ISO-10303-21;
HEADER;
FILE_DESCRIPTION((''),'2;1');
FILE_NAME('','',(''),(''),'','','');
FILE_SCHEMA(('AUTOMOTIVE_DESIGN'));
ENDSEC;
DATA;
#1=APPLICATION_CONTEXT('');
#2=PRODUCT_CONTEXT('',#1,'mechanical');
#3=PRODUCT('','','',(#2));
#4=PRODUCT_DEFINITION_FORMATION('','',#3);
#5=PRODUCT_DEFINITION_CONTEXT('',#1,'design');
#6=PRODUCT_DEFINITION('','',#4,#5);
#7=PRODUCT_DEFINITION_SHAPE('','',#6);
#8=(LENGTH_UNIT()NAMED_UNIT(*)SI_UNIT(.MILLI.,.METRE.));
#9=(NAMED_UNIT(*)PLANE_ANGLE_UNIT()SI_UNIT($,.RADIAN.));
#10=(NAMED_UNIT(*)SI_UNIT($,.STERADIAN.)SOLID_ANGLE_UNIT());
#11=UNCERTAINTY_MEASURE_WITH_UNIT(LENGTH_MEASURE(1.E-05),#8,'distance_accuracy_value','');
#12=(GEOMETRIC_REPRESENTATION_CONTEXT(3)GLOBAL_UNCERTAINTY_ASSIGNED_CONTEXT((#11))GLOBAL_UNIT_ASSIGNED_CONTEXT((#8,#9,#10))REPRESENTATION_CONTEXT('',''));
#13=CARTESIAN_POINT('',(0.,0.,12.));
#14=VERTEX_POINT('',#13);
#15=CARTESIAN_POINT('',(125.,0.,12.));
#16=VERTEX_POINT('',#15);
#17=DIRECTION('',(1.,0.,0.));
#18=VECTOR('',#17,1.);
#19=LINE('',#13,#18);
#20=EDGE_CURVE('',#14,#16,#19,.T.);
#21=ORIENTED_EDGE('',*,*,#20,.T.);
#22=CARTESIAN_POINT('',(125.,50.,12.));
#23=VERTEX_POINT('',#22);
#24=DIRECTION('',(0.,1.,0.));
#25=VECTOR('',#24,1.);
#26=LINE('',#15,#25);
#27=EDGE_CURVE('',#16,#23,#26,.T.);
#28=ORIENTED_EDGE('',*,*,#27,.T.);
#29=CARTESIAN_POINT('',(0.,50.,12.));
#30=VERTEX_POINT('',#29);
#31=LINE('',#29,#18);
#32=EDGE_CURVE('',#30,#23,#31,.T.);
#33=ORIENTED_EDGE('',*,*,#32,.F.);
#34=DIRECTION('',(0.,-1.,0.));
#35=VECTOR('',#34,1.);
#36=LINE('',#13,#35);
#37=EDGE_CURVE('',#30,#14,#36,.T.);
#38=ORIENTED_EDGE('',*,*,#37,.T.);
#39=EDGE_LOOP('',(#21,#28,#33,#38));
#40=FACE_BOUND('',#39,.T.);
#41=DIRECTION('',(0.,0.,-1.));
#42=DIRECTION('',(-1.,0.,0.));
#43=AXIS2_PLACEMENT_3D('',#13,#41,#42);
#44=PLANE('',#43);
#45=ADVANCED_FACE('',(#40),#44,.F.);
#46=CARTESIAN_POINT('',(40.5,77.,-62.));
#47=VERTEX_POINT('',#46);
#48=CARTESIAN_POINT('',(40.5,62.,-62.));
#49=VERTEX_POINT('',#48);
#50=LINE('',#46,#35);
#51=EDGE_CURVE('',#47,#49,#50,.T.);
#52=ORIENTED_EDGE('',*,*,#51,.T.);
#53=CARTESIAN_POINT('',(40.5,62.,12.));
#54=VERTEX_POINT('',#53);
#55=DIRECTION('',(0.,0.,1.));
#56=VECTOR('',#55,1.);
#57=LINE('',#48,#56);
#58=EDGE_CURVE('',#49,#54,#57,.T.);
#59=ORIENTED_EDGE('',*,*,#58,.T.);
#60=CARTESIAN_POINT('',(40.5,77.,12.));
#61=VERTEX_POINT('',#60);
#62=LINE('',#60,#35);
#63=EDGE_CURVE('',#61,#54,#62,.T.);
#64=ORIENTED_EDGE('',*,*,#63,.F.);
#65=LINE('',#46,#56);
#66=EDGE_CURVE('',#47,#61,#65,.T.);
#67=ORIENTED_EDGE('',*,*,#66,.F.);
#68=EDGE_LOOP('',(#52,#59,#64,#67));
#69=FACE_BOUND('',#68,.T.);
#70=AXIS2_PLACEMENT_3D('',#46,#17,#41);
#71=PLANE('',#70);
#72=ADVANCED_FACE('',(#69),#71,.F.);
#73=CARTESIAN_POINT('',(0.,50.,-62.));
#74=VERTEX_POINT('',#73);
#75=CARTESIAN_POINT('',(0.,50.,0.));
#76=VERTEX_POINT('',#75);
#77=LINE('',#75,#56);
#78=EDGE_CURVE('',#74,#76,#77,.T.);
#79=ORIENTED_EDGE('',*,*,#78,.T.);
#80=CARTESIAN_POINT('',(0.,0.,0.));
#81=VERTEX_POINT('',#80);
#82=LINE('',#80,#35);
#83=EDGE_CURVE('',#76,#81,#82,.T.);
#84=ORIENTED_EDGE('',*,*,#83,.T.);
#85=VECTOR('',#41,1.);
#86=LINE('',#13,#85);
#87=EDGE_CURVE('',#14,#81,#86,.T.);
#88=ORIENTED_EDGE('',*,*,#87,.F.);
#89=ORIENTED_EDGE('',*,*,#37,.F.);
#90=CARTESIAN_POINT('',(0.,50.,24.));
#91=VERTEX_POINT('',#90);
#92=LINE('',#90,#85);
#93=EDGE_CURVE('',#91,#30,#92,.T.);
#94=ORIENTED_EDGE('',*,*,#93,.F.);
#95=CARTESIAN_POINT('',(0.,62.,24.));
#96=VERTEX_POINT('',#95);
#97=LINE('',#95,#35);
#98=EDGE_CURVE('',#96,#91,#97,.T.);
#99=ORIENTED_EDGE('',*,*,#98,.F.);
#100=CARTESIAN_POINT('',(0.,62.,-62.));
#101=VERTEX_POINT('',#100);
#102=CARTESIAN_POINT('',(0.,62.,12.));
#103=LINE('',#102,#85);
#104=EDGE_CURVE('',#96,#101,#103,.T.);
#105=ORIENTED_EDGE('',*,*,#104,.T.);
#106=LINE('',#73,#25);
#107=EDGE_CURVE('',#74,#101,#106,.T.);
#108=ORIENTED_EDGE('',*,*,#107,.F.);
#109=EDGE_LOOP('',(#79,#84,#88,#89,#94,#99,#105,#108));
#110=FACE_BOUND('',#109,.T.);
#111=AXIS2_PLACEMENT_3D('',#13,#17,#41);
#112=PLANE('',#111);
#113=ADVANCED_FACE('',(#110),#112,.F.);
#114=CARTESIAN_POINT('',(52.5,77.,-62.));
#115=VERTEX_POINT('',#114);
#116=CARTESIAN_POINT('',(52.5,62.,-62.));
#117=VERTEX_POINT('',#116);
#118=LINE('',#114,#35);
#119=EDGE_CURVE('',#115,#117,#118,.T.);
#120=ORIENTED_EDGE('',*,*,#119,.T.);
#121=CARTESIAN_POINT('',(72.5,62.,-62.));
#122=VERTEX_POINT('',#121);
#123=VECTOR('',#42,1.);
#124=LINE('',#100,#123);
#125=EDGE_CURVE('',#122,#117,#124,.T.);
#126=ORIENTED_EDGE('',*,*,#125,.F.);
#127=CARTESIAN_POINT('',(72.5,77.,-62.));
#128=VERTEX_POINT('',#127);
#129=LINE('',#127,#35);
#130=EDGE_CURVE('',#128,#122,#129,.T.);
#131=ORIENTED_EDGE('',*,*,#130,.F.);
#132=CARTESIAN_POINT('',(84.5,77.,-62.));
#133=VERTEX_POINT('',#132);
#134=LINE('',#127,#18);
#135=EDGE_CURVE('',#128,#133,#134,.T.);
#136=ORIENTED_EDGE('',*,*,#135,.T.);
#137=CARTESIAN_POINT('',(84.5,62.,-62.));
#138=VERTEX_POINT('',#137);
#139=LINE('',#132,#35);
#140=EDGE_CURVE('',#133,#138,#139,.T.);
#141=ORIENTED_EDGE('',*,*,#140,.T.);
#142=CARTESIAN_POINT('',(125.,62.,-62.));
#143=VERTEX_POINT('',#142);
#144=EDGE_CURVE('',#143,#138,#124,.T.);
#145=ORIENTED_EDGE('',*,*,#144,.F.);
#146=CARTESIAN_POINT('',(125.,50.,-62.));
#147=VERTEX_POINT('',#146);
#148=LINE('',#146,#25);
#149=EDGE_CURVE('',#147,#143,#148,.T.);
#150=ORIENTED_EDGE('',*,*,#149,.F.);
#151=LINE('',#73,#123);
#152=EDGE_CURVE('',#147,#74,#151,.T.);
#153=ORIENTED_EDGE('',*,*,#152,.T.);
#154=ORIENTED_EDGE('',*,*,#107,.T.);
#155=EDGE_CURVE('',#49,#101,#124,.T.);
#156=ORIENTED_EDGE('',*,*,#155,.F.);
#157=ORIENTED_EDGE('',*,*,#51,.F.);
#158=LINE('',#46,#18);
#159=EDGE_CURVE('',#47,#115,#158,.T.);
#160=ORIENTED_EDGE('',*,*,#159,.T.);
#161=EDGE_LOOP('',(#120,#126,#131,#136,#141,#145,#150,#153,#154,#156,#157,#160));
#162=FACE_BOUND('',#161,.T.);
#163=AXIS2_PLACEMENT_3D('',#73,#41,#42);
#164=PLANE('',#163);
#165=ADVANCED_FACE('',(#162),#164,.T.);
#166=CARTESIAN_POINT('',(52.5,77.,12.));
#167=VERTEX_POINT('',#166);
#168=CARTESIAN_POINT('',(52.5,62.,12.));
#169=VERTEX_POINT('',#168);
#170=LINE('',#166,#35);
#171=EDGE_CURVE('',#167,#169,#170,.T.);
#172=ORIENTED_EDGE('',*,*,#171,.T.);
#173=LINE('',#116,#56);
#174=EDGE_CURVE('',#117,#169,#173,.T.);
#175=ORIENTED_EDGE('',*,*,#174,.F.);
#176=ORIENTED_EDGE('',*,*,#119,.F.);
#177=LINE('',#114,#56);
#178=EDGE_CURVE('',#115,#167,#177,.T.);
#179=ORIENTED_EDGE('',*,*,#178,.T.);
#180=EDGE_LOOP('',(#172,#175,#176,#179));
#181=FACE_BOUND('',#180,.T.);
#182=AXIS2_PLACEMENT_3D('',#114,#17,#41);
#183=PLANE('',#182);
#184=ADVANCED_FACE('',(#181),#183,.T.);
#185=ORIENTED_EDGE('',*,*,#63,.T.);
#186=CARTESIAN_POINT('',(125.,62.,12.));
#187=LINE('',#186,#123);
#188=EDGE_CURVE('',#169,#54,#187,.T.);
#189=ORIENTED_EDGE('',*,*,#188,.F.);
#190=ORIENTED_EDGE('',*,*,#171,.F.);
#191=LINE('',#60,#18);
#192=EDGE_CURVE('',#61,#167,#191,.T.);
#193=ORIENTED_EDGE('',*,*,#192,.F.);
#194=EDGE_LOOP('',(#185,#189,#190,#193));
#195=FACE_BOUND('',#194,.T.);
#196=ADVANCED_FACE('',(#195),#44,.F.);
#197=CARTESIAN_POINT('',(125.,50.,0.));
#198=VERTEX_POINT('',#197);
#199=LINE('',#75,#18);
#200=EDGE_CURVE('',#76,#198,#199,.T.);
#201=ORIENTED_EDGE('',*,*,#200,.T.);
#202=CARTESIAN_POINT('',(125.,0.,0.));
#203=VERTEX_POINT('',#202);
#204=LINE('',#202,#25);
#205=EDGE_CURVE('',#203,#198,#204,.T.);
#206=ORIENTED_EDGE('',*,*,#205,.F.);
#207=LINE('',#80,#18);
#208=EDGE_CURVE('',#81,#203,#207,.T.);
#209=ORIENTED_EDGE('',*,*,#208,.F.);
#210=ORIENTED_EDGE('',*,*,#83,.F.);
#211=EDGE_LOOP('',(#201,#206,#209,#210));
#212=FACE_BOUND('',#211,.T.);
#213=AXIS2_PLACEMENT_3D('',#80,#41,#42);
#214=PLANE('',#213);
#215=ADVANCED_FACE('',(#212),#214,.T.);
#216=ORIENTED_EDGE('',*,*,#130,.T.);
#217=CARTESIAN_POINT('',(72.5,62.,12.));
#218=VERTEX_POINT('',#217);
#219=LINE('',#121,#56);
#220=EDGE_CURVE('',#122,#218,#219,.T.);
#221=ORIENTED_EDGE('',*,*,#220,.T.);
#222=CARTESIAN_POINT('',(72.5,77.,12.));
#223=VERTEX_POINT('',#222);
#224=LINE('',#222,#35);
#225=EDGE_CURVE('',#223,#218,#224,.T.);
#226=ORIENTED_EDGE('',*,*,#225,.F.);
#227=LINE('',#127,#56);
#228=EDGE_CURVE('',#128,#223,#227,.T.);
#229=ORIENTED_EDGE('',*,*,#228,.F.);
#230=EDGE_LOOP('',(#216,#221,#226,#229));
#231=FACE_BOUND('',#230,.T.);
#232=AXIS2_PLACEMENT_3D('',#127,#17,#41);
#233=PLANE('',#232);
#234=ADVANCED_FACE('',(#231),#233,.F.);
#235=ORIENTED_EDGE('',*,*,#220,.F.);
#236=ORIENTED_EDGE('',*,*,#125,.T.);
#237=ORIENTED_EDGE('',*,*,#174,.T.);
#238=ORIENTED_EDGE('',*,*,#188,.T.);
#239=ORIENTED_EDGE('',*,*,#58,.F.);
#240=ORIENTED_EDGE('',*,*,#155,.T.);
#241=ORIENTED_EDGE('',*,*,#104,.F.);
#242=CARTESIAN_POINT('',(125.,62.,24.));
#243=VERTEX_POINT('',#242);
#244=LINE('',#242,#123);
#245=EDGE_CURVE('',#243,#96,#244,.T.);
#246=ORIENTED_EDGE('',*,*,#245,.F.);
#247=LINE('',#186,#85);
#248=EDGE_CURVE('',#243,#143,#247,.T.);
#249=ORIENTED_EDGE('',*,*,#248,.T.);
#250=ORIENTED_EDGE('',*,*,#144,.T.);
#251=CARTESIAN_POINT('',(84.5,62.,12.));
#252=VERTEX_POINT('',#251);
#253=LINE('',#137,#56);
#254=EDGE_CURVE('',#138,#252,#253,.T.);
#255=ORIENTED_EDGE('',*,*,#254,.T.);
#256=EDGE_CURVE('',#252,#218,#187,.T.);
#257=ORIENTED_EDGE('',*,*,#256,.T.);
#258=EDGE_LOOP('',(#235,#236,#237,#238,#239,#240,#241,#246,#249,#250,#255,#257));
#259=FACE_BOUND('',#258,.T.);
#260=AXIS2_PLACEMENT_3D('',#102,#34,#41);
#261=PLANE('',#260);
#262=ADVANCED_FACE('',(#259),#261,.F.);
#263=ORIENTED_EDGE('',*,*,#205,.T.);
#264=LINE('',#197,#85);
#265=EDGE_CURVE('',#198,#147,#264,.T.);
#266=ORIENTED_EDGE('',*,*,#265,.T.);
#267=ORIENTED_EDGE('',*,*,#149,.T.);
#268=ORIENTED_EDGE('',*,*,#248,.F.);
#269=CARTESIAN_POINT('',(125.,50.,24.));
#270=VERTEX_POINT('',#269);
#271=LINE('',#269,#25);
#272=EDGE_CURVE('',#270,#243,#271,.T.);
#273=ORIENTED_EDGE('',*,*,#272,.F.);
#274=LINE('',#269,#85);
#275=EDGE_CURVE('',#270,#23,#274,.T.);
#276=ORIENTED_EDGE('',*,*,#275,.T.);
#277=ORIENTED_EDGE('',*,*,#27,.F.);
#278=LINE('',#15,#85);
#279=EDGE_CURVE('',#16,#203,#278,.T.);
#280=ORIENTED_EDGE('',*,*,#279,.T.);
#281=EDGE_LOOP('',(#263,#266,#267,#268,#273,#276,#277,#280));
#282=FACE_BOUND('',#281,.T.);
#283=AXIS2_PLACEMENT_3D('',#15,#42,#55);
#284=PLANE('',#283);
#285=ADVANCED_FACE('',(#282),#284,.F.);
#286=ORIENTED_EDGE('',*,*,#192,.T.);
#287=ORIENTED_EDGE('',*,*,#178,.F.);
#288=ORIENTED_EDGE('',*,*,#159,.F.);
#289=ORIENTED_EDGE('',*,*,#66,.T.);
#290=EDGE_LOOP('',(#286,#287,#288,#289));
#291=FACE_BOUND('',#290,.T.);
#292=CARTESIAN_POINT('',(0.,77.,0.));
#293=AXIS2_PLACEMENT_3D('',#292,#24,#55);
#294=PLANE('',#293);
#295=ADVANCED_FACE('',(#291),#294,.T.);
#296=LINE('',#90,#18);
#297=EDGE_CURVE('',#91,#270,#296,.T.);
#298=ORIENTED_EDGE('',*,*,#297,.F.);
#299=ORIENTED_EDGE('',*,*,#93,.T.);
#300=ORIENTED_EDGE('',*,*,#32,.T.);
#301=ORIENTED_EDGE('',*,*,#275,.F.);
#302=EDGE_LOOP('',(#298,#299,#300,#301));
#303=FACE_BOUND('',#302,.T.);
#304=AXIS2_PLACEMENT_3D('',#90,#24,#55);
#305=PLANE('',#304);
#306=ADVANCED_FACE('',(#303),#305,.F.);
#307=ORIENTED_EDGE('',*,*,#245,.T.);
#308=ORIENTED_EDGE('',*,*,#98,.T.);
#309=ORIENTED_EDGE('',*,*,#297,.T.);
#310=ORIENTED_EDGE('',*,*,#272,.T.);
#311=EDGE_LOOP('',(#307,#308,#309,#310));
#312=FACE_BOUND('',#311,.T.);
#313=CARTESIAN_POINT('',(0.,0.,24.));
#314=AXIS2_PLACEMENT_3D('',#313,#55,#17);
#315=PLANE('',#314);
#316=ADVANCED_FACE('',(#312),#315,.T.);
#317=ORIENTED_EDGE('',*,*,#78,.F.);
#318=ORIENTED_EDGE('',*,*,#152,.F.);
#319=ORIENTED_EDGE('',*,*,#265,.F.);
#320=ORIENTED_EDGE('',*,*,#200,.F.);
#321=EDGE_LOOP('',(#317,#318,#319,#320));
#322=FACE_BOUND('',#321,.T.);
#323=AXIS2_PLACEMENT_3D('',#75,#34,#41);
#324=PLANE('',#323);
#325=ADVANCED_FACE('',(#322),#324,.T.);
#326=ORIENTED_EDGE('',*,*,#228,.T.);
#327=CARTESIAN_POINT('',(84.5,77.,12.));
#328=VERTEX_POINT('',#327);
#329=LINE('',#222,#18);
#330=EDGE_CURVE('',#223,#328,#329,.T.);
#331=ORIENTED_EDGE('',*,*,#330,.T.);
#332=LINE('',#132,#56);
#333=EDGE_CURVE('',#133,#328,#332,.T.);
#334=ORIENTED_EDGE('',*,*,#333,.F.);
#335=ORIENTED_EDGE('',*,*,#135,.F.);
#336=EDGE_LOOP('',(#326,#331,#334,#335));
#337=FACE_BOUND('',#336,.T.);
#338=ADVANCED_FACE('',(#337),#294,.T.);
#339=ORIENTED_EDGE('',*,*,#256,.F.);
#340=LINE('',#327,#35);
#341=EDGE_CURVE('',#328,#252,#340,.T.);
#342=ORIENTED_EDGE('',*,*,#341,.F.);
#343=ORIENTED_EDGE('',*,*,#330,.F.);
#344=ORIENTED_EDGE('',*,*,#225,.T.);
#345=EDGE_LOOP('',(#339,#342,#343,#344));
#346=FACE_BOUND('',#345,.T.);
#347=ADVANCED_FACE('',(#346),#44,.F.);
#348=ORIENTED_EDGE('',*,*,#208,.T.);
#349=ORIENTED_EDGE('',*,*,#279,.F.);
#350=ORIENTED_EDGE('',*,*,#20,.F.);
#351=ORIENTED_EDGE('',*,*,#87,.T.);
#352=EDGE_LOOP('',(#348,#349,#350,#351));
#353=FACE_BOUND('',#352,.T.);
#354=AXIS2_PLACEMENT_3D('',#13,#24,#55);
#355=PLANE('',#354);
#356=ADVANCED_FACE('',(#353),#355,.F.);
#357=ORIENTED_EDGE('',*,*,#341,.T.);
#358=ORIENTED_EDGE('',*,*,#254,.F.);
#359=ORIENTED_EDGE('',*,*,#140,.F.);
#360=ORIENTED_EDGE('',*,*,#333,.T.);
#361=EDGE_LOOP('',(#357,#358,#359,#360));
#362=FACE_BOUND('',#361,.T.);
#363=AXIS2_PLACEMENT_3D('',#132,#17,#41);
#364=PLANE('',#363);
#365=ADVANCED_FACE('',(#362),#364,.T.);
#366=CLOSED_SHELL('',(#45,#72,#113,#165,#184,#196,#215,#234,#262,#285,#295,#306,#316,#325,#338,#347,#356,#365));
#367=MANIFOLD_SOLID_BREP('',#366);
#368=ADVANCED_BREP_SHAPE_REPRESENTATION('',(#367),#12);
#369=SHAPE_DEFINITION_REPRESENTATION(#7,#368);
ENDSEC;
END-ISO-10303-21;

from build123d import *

# Parameters (mm, degrees)
SKETCH1_W           = 125
SKETCH1_H           = 62
BOSS_EXTRUDE2_DEPTH = 12
SKETCH3_W           = 125
SKETCH3_H           = 62
BOSS_EXTRUDE3_DEPTH = 12
SKETCH4_W           = 12
SKETCH4_H           = 74
BOSS_EXTRUDE4_DEPTH = 15
SKETCH5_W           = 125
SKETCH5_H           = 12
BOSS_EXTRUDE5_DEPTH = 12


with BuildPart() as part:
    # Sketch1 → Boss-Extrude2 (new body)
    with BuildSketch(Plane.XY):
        with Locations((62.5, 31)):
            Rectangle(SKETCH1_W, SKETCH1_H)
    extrude(amount=BOSS_EXTRUDE2_DEPTH)

    # Sketch3 → Boss-Extrude3 (add)
    with BuildSketch(Plane(origin=(0, 62, 0), x_dir=(1, 0, 0), z_dir=(0, 1, 0))):
        with Locations((62.5, 31)):
            Rectangle(SKETCH3_W, SKETCH3_H)
    extrude(amount=-BOSS_EXTRUDE3_DEPTH)

    # Sketch4 → Boss-Extrude4 (add)
    with BuildSketch(Plane(origin=(0, 62, 0), x_dir=(1, 0, 0), z_dir=(0, 1, 0))):
        with Locations((46.5, 25)):
            Rectangle(SKETCH4_W, SKETCH4_H)
        with Locations((78.5, 25)):
            Rectangle(SKETCH4_W, SKETCH4_H)
    extrude(amount=BOSS_EXTRUDE4_DEPTH)

    # Sketch5 → Boss-Extrude5 (add)
    with BuildSketch(Plane.XY.offset(12)):
        with Locations((62.5, 56)):
            Rectangle(SKETCH5_W, SKETCH5_H)
    extrude(amount=BOSS_EXTRUDE5_DEPTH)


solid = part.part
